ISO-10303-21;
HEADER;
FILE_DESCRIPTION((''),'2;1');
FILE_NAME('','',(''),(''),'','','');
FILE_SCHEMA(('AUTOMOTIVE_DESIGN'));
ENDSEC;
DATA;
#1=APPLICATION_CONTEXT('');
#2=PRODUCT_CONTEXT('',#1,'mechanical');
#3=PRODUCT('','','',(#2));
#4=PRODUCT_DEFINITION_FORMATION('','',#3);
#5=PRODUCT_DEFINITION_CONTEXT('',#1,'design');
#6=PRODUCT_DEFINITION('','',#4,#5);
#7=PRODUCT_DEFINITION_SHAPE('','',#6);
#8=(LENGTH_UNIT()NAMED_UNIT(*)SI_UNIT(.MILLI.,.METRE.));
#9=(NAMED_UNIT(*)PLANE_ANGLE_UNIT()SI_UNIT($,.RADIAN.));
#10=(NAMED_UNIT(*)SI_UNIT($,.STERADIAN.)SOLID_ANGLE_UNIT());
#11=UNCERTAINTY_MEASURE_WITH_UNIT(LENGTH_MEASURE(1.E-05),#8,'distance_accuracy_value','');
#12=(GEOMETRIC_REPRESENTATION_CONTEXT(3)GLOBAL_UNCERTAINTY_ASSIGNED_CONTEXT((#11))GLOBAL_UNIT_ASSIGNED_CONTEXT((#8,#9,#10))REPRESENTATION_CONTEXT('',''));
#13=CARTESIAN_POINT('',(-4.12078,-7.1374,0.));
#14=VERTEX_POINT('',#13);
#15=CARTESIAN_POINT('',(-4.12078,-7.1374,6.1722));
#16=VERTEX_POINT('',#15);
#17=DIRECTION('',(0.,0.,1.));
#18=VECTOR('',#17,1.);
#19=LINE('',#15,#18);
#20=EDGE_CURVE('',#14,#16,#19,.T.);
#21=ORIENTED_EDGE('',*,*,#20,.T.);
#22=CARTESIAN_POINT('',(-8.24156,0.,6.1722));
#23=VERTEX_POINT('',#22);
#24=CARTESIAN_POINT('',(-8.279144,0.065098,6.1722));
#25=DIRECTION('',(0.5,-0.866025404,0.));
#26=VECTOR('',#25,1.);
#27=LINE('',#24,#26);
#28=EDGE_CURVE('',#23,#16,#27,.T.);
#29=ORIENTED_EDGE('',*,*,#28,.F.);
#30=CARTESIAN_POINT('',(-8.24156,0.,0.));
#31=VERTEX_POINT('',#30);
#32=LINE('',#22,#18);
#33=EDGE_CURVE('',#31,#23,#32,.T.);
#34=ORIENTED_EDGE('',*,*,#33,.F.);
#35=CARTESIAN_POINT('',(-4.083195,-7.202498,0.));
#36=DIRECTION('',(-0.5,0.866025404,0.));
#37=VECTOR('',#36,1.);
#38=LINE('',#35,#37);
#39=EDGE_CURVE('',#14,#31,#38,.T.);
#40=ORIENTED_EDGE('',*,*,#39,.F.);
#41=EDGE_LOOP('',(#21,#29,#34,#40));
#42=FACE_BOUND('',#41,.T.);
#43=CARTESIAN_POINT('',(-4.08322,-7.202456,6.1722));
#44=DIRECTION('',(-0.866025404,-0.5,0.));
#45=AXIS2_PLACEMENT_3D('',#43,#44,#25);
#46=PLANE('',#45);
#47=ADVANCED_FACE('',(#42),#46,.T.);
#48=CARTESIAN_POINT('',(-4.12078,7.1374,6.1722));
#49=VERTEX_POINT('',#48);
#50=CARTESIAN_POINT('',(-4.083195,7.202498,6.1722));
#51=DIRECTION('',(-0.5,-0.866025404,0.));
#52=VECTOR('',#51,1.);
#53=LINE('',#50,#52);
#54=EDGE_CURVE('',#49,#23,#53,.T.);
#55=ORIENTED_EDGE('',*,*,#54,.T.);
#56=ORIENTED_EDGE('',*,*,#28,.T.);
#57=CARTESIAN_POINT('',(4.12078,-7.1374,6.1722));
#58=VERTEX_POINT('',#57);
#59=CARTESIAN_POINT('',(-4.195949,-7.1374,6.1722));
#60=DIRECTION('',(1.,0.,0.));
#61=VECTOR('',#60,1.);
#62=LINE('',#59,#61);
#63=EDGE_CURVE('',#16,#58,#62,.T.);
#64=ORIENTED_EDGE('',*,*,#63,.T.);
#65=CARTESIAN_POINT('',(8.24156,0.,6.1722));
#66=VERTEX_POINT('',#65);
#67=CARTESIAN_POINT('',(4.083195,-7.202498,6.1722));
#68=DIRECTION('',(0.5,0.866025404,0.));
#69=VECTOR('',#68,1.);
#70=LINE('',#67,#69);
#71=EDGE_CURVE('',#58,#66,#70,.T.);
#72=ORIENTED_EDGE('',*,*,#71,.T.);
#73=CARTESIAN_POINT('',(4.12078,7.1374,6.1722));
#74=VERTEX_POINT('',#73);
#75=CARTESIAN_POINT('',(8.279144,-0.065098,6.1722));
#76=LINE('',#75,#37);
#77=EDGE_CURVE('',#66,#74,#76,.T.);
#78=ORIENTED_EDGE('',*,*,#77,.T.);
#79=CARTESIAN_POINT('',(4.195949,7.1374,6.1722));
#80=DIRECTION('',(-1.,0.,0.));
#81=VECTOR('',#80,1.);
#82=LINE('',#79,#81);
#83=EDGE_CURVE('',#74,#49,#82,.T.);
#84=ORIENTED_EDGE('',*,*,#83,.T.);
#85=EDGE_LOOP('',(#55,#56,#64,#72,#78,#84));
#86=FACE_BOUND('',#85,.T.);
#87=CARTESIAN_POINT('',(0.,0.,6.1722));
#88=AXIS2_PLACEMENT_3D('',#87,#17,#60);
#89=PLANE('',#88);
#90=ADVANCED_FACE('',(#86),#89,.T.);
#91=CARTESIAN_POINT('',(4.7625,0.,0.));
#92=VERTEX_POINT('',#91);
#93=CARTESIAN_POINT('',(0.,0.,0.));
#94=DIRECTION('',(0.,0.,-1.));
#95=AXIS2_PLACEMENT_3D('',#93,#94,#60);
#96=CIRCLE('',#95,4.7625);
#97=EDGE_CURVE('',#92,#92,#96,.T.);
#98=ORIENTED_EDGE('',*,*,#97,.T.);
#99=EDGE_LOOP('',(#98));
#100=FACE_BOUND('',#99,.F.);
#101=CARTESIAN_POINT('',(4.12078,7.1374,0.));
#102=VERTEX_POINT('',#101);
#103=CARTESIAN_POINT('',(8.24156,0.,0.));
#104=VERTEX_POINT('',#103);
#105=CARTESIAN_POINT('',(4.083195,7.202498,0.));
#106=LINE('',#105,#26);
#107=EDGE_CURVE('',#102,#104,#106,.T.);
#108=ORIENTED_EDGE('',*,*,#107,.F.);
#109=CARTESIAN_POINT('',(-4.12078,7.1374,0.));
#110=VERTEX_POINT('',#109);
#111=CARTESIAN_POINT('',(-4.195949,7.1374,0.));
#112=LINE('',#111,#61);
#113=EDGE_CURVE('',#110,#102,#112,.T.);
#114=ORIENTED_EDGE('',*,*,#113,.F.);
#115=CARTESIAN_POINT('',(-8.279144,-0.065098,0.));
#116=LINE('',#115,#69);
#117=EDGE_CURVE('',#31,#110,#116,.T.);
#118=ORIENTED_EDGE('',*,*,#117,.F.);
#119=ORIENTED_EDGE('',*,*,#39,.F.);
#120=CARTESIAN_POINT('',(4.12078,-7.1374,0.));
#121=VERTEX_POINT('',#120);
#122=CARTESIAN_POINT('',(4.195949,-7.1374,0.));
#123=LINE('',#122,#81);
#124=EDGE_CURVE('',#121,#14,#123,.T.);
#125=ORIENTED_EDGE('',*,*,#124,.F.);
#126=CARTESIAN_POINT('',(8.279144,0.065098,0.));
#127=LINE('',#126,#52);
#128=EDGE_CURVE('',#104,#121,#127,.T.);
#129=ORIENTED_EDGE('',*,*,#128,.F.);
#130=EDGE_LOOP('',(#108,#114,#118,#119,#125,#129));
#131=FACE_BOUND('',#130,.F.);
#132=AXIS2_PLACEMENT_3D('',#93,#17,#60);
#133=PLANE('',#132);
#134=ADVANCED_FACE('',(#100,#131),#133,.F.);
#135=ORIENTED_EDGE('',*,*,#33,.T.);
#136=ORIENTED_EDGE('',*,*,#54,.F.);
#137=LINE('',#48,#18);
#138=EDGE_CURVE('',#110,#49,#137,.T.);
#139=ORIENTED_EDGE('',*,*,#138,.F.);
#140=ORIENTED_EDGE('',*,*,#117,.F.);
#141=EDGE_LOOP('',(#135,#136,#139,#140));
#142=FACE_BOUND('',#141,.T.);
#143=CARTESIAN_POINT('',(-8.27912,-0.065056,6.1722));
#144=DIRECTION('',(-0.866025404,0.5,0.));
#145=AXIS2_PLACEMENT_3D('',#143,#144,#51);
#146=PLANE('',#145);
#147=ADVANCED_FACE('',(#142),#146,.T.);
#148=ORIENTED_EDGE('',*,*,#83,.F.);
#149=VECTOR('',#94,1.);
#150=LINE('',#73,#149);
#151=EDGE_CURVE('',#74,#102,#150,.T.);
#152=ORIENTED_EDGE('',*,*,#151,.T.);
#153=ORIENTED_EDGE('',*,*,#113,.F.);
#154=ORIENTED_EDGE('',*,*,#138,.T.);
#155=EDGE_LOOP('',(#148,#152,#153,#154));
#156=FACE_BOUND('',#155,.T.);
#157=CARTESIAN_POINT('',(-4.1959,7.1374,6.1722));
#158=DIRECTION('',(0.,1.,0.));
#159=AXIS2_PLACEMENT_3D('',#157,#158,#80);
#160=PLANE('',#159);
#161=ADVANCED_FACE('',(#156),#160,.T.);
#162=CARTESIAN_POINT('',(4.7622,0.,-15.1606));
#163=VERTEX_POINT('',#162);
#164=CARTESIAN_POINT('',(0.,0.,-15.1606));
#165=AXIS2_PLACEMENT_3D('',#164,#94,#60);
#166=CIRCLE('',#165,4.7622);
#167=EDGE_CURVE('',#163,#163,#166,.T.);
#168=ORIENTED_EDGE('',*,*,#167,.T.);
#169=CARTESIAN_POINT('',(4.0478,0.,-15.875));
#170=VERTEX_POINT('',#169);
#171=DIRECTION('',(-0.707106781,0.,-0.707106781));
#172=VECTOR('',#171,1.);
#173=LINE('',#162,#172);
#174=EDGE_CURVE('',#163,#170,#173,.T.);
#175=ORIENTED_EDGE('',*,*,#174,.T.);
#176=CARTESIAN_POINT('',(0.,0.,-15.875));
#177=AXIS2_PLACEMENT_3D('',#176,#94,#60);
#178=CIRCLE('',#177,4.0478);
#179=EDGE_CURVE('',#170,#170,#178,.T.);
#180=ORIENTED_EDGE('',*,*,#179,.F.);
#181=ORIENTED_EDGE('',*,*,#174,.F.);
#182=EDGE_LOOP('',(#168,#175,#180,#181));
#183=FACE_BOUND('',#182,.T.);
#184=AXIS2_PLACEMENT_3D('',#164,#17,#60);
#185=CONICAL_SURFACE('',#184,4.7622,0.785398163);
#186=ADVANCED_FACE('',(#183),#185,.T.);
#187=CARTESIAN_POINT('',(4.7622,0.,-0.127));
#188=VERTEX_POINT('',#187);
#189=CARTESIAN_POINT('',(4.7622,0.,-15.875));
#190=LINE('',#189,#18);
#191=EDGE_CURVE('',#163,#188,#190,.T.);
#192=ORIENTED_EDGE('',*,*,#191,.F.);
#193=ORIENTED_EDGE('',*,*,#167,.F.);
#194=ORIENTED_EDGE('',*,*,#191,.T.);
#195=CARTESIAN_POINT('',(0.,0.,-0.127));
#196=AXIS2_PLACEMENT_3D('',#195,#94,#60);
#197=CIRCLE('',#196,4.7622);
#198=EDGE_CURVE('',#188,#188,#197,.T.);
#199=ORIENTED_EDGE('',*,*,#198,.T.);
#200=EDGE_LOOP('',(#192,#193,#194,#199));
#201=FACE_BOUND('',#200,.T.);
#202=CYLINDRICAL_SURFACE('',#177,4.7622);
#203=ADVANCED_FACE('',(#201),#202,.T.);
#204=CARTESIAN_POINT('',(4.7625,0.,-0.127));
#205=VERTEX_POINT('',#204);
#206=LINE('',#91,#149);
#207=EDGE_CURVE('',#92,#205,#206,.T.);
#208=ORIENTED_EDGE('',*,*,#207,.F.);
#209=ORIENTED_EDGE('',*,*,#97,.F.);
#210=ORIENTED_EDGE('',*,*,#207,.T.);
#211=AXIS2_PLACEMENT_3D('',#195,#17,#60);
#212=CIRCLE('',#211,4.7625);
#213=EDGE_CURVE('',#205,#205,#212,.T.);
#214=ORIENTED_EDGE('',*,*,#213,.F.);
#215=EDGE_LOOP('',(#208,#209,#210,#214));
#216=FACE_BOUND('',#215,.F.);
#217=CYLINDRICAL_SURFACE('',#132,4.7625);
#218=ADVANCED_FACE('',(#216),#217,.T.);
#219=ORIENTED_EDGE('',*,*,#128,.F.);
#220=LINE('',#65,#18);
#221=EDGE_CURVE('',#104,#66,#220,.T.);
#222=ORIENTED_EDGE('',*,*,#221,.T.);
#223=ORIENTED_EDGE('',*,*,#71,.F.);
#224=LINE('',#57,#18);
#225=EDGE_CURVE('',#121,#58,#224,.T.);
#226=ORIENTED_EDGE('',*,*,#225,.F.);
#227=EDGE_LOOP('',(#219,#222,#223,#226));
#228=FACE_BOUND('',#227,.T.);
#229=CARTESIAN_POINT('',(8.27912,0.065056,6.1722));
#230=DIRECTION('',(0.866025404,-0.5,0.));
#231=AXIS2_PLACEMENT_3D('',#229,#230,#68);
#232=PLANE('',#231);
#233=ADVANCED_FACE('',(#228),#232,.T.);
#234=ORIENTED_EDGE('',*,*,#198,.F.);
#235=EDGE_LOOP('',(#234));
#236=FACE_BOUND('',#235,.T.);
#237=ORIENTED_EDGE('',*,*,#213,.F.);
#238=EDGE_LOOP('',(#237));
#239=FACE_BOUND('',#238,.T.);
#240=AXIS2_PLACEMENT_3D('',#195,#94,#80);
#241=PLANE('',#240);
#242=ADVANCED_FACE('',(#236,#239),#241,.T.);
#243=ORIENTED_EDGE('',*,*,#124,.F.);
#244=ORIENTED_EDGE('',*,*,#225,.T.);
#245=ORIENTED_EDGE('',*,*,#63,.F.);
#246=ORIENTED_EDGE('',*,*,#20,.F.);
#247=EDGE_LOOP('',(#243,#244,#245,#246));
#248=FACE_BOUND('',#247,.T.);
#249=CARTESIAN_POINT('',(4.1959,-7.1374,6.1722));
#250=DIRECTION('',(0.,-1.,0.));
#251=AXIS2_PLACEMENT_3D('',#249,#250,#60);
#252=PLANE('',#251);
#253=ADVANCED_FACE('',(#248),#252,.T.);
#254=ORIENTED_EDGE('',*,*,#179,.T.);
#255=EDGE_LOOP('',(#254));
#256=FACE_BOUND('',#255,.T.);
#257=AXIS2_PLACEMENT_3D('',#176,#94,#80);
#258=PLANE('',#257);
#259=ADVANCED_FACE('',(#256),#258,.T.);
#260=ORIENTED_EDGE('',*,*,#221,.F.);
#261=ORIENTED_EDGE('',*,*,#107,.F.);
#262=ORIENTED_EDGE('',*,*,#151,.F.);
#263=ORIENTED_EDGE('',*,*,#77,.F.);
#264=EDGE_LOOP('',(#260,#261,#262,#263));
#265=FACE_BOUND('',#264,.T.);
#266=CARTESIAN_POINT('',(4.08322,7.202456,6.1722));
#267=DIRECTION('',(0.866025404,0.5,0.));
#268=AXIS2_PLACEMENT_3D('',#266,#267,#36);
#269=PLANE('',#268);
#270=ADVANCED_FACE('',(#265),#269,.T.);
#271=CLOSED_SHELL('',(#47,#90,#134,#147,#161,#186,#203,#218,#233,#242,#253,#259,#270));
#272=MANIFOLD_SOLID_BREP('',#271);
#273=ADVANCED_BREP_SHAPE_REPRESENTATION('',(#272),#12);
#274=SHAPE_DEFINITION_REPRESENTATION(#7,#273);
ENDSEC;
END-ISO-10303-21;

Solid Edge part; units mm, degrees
sketch "Sketch1" plane through (0, 0, 0) normal (0, 0, 1) x (1, 0, 0)
  circle A0 centre (0, 0) radius 8.2794
  dimension "D1" = 16.5588
extrude "Protrusion1" add sketch "Sketch1" along normal blind 6.1722
sketch "Sketch2" plane through (0, 0, 0) normal (0, 0, -1) x (1, 0, 0)
  circle A0 centre (0, 0) radius 4.7625
extrude "Protrusion2" add sketch "Sketch2" along normal blind 15.875
sketch "Sketch3" plane through (0, 0, -15.875) normal (0, 0, -1) x (1, 0, 0)
  circle A0 centre (0, 0) radius 4.7622
extrude "Cutout1" cut sketch "Sketch3" against normal blind 15.748 flip side to cut
chamfer "Chamfer_1" distance 0.7144 angle 45 1 edges at (-4.7622, 0, -15.875)
sketch "Sketch4" plane through (0, 0, 6.1722) normal (0, 0, 1) x (1, 0, 0)
  line L0 (-4.1959, 7.1374) -> (4.1959, 7.1374)
  dimension "D1" = 14.2748
extrude "Cutout2" cut sketch "Sketch4" against normal up to next material side at (0, 7.1874, 6.1722)
pattern_circular "Pattern1" count 6 over 360 about axis through (0, 0, 6.1722) along (0, 0, 1) of "Cutout2"
properties part number "185534"
